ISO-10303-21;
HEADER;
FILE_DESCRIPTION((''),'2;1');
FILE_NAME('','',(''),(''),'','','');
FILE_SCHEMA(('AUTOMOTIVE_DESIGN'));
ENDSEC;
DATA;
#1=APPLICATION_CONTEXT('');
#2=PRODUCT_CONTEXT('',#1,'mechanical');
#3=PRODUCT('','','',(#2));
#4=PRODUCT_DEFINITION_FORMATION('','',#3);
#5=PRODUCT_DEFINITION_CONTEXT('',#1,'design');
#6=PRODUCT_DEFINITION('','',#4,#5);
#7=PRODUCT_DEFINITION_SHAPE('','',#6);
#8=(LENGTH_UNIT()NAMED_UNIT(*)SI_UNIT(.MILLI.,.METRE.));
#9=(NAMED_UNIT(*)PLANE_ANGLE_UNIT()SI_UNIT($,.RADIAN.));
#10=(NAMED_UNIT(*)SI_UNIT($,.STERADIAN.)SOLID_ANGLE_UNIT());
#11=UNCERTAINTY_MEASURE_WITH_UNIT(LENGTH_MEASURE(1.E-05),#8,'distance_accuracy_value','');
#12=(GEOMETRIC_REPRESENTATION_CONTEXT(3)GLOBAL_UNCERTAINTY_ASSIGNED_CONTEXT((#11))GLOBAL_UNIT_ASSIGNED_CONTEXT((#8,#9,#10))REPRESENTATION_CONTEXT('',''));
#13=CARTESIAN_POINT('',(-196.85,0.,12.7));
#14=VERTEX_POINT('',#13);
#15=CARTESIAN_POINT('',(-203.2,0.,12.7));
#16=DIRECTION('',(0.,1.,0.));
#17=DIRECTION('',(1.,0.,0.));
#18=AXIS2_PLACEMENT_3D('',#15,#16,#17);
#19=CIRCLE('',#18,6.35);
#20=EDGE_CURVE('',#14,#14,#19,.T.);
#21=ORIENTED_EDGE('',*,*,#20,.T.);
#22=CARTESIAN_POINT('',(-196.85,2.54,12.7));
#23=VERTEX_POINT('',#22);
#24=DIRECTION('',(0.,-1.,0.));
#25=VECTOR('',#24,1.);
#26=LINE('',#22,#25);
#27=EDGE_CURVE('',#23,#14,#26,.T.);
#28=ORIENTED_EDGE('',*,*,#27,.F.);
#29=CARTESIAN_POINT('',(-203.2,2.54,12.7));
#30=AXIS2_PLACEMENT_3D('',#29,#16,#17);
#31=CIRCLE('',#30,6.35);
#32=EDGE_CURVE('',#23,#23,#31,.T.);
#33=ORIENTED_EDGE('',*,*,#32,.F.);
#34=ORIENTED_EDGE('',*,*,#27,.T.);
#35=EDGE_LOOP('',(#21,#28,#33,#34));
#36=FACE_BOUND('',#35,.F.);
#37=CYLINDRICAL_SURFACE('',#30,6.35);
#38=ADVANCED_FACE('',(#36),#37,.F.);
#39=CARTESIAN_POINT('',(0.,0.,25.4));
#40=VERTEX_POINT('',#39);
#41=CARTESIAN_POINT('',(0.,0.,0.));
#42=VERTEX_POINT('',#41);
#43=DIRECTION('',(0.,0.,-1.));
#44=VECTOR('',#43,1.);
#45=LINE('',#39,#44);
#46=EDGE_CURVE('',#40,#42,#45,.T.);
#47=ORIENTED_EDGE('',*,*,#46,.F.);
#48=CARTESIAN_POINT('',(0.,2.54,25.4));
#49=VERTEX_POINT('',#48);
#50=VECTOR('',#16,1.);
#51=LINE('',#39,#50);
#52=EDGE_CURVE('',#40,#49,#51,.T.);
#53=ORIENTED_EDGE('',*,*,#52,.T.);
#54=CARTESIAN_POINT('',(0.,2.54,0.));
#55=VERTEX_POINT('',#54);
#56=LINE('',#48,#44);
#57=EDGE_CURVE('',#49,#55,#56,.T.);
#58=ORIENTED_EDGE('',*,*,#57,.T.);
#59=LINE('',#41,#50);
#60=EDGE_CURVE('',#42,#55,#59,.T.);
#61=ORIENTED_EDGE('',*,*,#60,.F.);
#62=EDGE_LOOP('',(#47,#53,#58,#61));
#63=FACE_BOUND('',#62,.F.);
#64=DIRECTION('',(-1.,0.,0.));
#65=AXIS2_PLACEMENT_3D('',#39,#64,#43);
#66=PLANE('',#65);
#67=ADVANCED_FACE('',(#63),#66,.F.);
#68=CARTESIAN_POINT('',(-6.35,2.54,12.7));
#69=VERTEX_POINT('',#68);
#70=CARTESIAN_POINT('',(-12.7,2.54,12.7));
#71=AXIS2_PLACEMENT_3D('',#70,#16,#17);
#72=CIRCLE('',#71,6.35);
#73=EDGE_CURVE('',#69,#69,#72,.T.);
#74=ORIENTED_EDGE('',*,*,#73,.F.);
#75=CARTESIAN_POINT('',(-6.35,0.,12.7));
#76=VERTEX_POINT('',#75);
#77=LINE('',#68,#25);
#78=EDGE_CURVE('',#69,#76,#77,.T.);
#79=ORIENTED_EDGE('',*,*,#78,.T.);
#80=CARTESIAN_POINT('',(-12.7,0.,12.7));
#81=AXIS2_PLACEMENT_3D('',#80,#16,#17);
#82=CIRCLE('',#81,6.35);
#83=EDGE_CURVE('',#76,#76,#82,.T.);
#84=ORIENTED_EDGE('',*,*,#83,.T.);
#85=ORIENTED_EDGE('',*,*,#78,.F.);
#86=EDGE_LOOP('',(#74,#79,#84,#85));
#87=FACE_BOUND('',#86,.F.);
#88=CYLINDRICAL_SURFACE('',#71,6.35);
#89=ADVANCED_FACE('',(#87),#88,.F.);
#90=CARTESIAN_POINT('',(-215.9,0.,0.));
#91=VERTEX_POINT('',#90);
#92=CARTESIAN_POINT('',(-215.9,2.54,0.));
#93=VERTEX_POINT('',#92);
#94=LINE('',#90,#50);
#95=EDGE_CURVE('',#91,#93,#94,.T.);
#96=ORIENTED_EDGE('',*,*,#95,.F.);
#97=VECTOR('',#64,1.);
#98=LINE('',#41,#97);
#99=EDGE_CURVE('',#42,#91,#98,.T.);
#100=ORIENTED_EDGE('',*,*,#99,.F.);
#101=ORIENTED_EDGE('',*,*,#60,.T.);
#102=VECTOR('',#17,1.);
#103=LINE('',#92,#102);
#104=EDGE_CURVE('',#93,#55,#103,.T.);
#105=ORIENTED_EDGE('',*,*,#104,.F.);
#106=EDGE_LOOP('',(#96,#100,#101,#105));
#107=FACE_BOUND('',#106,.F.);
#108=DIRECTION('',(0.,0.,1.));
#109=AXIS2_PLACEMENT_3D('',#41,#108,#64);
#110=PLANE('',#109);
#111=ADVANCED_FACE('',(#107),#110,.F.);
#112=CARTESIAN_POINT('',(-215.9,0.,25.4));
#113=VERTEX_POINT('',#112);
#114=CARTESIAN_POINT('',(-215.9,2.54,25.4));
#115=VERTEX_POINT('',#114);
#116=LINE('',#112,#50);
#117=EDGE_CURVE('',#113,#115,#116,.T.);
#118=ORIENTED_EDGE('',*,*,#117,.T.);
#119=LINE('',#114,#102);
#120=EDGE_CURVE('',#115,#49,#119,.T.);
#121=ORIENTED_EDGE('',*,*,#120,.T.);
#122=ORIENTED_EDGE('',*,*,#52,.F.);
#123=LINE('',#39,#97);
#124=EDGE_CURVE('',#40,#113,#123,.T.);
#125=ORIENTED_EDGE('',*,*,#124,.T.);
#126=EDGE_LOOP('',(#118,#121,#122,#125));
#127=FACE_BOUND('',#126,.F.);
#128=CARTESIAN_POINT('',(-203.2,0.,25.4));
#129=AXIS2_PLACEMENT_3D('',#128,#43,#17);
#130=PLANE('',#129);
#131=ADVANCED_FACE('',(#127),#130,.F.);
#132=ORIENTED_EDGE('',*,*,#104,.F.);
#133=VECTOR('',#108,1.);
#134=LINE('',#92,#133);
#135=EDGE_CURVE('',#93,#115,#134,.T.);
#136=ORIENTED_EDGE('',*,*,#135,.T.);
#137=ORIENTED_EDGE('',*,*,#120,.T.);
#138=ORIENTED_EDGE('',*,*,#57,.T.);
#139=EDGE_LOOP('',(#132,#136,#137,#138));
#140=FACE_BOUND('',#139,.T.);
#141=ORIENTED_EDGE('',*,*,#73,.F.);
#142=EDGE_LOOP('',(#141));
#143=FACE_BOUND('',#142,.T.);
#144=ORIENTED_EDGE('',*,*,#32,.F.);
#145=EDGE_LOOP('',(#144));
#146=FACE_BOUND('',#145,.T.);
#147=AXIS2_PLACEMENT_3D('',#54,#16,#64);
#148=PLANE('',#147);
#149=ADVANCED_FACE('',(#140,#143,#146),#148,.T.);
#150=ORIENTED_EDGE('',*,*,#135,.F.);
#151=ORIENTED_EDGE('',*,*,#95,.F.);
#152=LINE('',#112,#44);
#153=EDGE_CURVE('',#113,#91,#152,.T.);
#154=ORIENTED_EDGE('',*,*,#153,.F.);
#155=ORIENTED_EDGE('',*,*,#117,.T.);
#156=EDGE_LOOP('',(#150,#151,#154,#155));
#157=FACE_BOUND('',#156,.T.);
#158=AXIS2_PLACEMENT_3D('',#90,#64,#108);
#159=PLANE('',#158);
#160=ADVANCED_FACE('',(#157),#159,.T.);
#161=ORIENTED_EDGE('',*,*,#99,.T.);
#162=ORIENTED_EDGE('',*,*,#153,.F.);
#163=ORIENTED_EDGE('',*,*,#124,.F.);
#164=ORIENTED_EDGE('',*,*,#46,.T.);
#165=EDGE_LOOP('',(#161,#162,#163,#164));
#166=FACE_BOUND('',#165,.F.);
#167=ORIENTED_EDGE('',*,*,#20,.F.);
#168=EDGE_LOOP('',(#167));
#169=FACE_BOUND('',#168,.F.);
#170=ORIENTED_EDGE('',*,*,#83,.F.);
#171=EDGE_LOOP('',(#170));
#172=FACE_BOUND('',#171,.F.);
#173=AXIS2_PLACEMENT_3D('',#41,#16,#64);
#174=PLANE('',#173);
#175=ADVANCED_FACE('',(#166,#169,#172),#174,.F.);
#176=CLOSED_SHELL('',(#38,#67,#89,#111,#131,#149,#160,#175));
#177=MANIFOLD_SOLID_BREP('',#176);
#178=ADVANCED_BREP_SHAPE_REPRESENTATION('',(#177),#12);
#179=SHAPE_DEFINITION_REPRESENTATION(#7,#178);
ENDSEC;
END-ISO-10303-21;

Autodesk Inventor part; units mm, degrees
ref_plane "YZ Plane" through (0, 0, 0) normal (1, 0, 0) x (0, 1, 0)
ref_plane "XZ Plane" through (0, 0, 0) normal (0, 1, 0) x (-1, 0, 0)
ref_plane "XY Plane" through (0, 0, 0) normal (0, 0, 1) x (1, 0, 0)
sketch "Sketch1" plane through (0, 0, 0) normal (0, 1, 0) x (-1, 0, 0)
  line L0 (203.2, 25.4) -> (0, 25.4)
  line L1 (0, 25.4) -> (0, 0)
  line L2 (0, 0) -> (203.2, 0)
  line L3 (203.2, 0) -> (203.2, 25.4)
extrude "Extrusion1" add sketch "Sketch1" along normal blind 2.54
sketch "Sketch2" plane through (0, 2.54, 0) normal (0, 1, 0) x (1, 0, 0)
  circle A0 centre (-12.7, -12.7) radius 6.35
  point P0 (0, 0)
  dimension "d2" = 12.7
sketch "Sketch3" plane through (-203.2, 0, 0) normal (-1, 0, 0) x (0, 0, 1)
  line L0 (25.4, 0) -> (0, 0) projected
  line L1 (25.4, 0) -> (25.4, 2.54) projected
  line L2 (0, 2.54) -> (25.4, 2.54) projected
  line L3 (0, 0) -> (0, 2.54) projected
extrude "Extrusion2" add sketch "Sketch3" along normal blind 12.7
sketch "Sketch4" plane through (0, 2.54, 0) normal (0, 1, 0) x (1, 0, 0)
  circle A0 centre (-203.2, -12.7) radius 6.35
  point P0 (0, 0)
  dimension "d5" = 12.7
extrude "Extrusion3" cut sketch "Sketch4" against normal blind 2.54
extrude "Extrusion4" cut sketch "Sketch2" against normal blind 2.54
properties part number "4barBar"
